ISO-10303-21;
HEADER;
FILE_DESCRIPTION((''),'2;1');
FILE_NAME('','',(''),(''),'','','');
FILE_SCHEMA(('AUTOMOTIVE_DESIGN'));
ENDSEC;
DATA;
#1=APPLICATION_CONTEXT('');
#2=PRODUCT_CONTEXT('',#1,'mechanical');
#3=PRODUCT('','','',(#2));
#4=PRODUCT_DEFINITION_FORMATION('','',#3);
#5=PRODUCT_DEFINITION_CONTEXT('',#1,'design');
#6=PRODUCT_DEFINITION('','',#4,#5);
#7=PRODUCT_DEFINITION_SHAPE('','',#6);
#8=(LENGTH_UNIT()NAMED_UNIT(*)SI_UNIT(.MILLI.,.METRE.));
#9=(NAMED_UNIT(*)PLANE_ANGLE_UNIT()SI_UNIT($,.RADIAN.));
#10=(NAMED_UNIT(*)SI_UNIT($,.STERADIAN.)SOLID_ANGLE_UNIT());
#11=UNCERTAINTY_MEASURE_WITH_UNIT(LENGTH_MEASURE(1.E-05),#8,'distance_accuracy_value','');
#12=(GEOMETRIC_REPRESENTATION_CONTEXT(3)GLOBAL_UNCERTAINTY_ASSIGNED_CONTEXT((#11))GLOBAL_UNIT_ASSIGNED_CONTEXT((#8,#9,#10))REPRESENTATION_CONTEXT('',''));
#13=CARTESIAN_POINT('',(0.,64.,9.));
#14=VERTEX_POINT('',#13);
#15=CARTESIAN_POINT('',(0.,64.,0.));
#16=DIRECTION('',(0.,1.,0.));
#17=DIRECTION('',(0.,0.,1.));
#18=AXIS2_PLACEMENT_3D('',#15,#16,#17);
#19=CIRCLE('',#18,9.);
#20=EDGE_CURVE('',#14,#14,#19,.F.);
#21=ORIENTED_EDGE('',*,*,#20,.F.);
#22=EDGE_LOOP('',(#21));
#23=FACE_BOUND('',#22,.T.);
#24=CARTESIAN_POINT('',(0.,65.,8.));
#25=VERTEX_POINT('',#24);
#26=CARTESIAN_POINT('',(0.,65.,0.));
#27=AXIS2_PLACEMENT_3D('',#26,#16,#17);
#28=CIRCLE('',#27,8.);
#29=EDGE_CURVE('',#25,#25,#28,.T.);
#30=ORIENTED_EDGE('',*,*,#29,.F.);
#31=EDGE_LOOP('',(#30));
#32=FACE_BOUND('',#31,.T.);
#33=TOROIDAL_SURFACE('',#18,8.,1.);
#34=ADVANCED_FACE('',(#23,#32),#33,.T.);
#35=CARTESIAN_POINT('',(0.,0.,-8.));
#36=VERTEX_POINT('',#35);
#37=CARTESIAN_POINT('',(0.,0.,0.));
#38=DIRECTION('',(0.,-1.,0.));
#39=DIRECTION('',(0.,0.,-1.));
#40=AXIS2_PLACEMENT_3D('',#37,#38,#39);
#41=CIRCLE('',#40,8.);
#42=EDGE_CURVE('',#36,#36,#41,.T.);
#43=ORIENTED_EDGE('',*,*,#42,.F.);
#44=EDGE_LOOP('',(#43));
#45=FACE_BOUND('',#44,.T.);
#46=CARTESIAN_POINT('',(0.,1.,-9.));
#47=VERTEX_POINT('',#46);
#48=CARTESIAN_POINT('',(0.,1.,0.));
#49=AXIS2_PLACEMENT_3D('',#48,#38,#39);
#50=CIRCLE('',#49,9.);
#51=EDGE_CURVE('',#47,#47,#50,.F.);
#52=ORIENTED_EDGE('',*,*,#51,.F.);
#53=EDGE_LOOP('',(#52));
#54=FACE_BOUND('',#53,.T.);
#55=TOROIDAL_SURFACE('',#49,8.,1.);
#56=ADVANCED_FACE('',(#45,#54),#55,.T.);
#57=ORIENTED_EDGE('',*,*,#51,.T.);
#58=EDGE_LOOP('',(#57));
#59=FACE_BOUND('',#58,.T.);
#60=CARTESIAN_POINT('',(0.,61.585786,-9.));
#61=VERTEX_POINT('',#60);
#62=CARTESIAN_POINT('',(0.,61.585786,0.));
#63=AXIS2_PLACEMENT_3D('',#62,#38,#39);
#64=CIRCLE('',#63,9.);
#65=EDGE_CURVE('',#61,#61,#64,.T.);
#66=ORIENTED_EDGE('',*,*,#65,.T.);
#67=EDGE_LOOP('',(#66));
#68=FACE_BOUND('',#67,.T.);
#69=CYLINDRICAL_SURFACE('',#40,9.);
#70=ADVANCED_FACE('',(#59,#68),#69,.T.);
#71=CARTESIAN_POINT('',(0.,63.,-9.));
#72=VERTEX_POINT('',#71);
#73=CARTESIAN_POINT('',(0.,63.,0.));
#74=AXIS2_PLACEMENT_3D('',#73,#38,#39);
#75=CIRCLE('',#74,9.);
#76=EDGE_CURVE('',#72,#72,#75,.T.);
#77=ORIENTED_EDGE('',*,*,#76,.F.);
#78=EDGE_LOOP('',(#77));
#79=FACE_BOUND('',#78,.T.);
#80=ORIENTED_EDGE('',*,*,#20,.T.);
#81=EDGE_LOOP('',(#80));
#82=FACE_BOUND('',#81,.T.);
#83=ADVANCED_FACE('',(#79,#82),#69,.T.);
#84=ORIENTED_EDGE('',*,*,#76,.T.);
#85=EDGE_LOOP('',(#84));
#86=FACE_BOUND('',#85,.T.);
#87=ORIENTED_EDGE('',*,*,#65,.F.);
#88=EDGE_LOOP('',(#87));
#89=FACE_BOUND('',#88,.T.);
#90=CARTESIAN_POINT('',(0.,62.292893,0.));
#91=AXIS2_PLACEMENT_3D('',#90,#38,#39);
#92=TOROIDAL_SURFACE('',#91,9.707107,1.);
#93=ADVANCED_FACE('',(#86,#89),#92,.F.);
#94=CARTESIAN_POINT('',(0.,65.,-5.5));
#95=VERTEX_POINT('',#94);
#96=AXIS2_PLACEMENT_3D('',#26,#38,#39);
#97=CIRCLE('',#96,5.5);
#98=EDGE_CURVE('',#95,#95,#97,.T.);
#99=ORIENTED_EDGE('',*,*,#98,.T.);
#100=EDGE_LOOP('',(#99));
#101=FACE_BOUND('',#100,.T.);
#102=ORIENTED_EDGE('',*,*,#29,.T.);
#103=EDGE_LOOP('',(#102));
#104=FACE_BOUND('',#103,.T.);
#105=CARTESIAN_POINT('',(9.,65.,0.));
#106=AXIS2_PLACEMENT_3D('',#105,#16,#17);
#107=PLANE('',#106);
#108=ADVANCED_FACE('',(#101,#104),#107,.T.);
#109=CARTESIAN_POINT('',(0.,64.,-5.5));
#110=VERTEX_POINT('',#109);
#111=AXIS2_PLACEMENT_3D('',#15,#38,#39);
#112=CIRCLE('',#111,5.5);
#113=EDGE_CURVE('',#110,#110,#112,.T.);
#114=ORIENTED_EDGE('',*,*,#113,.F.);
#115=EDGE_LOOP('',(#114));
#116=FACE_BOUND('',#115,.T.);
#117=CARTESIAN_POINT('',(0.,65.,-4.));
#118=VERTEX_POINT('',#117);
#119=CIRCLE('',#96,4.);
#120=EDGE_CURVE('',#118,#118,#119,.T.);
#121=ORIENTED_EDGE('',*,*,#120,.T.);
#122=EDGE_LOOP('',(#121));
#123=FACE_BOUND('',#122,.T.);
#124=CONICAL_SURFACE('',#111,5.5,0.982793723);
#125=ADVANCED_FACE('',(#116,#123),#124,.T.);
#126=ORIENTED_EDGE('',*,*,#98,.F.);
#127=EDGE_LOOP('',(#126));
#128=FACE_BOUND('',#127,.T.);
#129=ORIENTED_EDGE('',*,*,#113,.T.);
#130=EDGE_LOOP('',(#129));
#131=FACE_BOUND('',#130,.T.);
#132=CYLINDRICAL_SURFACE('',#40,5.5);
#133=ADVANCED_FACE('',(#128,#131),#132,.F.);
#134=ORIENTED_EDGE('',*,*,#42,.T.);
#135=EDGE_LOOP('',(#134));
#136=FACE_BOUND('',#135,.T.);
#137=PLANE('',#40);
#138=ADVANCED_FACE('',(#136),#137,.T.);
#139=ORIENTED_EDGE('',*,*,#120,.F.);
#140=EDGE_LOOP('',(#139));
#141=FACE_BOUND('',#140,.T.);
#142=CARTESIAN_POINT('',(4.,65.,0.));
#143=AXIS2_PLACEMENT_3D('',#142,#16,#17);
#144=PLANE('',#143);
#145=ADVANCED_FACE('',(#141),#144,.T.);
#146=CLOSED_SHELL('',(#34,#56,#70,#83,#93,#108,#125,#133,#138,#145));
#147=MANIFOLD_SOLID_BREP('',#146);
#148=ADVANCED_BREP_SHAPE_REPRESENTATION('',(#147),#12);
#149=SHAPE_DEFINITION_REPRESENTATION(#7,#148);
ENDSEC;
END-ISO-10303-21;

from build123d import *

# Parameters (mm, degrees)
FILLET2_R = 1


with BuildPart() as part:
    # Sketch2 → Revolve1 (revolve)
    with BuildSketch(Plane.XY, mode=Mode.PRIVATE) as revolve1_sk:
        with BuildLine():
            Line((0, 0), (9, 0))
            Line((9, 0), (9, 61.585786438))
            ThreePointArc((9, 61.585786438), (8.707106781, 62.292893219), (9, 63))
            Line((9, 63), (9, 65))
            Line((9, 65), (5.5, 65))
            Line((5.5, 65), (5.5, 64))
            Line((5.5, 64), (4, 65))
            Line((4, 65), (0, 65))
            Line((0, 65), (0, 0))
        make_face()
    revolve(revolve1_sk.sketch.rotate(Axis((0, 0, 0), (0, 1, 0)), 90), axis=Axis((0, 0, 0), (0, 1, 0)))

    # Fillet2
    fillet2_edges = [part.edges().sort_by_distance(p)[0] for p in [
        (0, 0, 9),
        (0, 65, 9),
    ]]
    fillet(fillet2_edges, radius=FILLET2_R)


solid = part.part
